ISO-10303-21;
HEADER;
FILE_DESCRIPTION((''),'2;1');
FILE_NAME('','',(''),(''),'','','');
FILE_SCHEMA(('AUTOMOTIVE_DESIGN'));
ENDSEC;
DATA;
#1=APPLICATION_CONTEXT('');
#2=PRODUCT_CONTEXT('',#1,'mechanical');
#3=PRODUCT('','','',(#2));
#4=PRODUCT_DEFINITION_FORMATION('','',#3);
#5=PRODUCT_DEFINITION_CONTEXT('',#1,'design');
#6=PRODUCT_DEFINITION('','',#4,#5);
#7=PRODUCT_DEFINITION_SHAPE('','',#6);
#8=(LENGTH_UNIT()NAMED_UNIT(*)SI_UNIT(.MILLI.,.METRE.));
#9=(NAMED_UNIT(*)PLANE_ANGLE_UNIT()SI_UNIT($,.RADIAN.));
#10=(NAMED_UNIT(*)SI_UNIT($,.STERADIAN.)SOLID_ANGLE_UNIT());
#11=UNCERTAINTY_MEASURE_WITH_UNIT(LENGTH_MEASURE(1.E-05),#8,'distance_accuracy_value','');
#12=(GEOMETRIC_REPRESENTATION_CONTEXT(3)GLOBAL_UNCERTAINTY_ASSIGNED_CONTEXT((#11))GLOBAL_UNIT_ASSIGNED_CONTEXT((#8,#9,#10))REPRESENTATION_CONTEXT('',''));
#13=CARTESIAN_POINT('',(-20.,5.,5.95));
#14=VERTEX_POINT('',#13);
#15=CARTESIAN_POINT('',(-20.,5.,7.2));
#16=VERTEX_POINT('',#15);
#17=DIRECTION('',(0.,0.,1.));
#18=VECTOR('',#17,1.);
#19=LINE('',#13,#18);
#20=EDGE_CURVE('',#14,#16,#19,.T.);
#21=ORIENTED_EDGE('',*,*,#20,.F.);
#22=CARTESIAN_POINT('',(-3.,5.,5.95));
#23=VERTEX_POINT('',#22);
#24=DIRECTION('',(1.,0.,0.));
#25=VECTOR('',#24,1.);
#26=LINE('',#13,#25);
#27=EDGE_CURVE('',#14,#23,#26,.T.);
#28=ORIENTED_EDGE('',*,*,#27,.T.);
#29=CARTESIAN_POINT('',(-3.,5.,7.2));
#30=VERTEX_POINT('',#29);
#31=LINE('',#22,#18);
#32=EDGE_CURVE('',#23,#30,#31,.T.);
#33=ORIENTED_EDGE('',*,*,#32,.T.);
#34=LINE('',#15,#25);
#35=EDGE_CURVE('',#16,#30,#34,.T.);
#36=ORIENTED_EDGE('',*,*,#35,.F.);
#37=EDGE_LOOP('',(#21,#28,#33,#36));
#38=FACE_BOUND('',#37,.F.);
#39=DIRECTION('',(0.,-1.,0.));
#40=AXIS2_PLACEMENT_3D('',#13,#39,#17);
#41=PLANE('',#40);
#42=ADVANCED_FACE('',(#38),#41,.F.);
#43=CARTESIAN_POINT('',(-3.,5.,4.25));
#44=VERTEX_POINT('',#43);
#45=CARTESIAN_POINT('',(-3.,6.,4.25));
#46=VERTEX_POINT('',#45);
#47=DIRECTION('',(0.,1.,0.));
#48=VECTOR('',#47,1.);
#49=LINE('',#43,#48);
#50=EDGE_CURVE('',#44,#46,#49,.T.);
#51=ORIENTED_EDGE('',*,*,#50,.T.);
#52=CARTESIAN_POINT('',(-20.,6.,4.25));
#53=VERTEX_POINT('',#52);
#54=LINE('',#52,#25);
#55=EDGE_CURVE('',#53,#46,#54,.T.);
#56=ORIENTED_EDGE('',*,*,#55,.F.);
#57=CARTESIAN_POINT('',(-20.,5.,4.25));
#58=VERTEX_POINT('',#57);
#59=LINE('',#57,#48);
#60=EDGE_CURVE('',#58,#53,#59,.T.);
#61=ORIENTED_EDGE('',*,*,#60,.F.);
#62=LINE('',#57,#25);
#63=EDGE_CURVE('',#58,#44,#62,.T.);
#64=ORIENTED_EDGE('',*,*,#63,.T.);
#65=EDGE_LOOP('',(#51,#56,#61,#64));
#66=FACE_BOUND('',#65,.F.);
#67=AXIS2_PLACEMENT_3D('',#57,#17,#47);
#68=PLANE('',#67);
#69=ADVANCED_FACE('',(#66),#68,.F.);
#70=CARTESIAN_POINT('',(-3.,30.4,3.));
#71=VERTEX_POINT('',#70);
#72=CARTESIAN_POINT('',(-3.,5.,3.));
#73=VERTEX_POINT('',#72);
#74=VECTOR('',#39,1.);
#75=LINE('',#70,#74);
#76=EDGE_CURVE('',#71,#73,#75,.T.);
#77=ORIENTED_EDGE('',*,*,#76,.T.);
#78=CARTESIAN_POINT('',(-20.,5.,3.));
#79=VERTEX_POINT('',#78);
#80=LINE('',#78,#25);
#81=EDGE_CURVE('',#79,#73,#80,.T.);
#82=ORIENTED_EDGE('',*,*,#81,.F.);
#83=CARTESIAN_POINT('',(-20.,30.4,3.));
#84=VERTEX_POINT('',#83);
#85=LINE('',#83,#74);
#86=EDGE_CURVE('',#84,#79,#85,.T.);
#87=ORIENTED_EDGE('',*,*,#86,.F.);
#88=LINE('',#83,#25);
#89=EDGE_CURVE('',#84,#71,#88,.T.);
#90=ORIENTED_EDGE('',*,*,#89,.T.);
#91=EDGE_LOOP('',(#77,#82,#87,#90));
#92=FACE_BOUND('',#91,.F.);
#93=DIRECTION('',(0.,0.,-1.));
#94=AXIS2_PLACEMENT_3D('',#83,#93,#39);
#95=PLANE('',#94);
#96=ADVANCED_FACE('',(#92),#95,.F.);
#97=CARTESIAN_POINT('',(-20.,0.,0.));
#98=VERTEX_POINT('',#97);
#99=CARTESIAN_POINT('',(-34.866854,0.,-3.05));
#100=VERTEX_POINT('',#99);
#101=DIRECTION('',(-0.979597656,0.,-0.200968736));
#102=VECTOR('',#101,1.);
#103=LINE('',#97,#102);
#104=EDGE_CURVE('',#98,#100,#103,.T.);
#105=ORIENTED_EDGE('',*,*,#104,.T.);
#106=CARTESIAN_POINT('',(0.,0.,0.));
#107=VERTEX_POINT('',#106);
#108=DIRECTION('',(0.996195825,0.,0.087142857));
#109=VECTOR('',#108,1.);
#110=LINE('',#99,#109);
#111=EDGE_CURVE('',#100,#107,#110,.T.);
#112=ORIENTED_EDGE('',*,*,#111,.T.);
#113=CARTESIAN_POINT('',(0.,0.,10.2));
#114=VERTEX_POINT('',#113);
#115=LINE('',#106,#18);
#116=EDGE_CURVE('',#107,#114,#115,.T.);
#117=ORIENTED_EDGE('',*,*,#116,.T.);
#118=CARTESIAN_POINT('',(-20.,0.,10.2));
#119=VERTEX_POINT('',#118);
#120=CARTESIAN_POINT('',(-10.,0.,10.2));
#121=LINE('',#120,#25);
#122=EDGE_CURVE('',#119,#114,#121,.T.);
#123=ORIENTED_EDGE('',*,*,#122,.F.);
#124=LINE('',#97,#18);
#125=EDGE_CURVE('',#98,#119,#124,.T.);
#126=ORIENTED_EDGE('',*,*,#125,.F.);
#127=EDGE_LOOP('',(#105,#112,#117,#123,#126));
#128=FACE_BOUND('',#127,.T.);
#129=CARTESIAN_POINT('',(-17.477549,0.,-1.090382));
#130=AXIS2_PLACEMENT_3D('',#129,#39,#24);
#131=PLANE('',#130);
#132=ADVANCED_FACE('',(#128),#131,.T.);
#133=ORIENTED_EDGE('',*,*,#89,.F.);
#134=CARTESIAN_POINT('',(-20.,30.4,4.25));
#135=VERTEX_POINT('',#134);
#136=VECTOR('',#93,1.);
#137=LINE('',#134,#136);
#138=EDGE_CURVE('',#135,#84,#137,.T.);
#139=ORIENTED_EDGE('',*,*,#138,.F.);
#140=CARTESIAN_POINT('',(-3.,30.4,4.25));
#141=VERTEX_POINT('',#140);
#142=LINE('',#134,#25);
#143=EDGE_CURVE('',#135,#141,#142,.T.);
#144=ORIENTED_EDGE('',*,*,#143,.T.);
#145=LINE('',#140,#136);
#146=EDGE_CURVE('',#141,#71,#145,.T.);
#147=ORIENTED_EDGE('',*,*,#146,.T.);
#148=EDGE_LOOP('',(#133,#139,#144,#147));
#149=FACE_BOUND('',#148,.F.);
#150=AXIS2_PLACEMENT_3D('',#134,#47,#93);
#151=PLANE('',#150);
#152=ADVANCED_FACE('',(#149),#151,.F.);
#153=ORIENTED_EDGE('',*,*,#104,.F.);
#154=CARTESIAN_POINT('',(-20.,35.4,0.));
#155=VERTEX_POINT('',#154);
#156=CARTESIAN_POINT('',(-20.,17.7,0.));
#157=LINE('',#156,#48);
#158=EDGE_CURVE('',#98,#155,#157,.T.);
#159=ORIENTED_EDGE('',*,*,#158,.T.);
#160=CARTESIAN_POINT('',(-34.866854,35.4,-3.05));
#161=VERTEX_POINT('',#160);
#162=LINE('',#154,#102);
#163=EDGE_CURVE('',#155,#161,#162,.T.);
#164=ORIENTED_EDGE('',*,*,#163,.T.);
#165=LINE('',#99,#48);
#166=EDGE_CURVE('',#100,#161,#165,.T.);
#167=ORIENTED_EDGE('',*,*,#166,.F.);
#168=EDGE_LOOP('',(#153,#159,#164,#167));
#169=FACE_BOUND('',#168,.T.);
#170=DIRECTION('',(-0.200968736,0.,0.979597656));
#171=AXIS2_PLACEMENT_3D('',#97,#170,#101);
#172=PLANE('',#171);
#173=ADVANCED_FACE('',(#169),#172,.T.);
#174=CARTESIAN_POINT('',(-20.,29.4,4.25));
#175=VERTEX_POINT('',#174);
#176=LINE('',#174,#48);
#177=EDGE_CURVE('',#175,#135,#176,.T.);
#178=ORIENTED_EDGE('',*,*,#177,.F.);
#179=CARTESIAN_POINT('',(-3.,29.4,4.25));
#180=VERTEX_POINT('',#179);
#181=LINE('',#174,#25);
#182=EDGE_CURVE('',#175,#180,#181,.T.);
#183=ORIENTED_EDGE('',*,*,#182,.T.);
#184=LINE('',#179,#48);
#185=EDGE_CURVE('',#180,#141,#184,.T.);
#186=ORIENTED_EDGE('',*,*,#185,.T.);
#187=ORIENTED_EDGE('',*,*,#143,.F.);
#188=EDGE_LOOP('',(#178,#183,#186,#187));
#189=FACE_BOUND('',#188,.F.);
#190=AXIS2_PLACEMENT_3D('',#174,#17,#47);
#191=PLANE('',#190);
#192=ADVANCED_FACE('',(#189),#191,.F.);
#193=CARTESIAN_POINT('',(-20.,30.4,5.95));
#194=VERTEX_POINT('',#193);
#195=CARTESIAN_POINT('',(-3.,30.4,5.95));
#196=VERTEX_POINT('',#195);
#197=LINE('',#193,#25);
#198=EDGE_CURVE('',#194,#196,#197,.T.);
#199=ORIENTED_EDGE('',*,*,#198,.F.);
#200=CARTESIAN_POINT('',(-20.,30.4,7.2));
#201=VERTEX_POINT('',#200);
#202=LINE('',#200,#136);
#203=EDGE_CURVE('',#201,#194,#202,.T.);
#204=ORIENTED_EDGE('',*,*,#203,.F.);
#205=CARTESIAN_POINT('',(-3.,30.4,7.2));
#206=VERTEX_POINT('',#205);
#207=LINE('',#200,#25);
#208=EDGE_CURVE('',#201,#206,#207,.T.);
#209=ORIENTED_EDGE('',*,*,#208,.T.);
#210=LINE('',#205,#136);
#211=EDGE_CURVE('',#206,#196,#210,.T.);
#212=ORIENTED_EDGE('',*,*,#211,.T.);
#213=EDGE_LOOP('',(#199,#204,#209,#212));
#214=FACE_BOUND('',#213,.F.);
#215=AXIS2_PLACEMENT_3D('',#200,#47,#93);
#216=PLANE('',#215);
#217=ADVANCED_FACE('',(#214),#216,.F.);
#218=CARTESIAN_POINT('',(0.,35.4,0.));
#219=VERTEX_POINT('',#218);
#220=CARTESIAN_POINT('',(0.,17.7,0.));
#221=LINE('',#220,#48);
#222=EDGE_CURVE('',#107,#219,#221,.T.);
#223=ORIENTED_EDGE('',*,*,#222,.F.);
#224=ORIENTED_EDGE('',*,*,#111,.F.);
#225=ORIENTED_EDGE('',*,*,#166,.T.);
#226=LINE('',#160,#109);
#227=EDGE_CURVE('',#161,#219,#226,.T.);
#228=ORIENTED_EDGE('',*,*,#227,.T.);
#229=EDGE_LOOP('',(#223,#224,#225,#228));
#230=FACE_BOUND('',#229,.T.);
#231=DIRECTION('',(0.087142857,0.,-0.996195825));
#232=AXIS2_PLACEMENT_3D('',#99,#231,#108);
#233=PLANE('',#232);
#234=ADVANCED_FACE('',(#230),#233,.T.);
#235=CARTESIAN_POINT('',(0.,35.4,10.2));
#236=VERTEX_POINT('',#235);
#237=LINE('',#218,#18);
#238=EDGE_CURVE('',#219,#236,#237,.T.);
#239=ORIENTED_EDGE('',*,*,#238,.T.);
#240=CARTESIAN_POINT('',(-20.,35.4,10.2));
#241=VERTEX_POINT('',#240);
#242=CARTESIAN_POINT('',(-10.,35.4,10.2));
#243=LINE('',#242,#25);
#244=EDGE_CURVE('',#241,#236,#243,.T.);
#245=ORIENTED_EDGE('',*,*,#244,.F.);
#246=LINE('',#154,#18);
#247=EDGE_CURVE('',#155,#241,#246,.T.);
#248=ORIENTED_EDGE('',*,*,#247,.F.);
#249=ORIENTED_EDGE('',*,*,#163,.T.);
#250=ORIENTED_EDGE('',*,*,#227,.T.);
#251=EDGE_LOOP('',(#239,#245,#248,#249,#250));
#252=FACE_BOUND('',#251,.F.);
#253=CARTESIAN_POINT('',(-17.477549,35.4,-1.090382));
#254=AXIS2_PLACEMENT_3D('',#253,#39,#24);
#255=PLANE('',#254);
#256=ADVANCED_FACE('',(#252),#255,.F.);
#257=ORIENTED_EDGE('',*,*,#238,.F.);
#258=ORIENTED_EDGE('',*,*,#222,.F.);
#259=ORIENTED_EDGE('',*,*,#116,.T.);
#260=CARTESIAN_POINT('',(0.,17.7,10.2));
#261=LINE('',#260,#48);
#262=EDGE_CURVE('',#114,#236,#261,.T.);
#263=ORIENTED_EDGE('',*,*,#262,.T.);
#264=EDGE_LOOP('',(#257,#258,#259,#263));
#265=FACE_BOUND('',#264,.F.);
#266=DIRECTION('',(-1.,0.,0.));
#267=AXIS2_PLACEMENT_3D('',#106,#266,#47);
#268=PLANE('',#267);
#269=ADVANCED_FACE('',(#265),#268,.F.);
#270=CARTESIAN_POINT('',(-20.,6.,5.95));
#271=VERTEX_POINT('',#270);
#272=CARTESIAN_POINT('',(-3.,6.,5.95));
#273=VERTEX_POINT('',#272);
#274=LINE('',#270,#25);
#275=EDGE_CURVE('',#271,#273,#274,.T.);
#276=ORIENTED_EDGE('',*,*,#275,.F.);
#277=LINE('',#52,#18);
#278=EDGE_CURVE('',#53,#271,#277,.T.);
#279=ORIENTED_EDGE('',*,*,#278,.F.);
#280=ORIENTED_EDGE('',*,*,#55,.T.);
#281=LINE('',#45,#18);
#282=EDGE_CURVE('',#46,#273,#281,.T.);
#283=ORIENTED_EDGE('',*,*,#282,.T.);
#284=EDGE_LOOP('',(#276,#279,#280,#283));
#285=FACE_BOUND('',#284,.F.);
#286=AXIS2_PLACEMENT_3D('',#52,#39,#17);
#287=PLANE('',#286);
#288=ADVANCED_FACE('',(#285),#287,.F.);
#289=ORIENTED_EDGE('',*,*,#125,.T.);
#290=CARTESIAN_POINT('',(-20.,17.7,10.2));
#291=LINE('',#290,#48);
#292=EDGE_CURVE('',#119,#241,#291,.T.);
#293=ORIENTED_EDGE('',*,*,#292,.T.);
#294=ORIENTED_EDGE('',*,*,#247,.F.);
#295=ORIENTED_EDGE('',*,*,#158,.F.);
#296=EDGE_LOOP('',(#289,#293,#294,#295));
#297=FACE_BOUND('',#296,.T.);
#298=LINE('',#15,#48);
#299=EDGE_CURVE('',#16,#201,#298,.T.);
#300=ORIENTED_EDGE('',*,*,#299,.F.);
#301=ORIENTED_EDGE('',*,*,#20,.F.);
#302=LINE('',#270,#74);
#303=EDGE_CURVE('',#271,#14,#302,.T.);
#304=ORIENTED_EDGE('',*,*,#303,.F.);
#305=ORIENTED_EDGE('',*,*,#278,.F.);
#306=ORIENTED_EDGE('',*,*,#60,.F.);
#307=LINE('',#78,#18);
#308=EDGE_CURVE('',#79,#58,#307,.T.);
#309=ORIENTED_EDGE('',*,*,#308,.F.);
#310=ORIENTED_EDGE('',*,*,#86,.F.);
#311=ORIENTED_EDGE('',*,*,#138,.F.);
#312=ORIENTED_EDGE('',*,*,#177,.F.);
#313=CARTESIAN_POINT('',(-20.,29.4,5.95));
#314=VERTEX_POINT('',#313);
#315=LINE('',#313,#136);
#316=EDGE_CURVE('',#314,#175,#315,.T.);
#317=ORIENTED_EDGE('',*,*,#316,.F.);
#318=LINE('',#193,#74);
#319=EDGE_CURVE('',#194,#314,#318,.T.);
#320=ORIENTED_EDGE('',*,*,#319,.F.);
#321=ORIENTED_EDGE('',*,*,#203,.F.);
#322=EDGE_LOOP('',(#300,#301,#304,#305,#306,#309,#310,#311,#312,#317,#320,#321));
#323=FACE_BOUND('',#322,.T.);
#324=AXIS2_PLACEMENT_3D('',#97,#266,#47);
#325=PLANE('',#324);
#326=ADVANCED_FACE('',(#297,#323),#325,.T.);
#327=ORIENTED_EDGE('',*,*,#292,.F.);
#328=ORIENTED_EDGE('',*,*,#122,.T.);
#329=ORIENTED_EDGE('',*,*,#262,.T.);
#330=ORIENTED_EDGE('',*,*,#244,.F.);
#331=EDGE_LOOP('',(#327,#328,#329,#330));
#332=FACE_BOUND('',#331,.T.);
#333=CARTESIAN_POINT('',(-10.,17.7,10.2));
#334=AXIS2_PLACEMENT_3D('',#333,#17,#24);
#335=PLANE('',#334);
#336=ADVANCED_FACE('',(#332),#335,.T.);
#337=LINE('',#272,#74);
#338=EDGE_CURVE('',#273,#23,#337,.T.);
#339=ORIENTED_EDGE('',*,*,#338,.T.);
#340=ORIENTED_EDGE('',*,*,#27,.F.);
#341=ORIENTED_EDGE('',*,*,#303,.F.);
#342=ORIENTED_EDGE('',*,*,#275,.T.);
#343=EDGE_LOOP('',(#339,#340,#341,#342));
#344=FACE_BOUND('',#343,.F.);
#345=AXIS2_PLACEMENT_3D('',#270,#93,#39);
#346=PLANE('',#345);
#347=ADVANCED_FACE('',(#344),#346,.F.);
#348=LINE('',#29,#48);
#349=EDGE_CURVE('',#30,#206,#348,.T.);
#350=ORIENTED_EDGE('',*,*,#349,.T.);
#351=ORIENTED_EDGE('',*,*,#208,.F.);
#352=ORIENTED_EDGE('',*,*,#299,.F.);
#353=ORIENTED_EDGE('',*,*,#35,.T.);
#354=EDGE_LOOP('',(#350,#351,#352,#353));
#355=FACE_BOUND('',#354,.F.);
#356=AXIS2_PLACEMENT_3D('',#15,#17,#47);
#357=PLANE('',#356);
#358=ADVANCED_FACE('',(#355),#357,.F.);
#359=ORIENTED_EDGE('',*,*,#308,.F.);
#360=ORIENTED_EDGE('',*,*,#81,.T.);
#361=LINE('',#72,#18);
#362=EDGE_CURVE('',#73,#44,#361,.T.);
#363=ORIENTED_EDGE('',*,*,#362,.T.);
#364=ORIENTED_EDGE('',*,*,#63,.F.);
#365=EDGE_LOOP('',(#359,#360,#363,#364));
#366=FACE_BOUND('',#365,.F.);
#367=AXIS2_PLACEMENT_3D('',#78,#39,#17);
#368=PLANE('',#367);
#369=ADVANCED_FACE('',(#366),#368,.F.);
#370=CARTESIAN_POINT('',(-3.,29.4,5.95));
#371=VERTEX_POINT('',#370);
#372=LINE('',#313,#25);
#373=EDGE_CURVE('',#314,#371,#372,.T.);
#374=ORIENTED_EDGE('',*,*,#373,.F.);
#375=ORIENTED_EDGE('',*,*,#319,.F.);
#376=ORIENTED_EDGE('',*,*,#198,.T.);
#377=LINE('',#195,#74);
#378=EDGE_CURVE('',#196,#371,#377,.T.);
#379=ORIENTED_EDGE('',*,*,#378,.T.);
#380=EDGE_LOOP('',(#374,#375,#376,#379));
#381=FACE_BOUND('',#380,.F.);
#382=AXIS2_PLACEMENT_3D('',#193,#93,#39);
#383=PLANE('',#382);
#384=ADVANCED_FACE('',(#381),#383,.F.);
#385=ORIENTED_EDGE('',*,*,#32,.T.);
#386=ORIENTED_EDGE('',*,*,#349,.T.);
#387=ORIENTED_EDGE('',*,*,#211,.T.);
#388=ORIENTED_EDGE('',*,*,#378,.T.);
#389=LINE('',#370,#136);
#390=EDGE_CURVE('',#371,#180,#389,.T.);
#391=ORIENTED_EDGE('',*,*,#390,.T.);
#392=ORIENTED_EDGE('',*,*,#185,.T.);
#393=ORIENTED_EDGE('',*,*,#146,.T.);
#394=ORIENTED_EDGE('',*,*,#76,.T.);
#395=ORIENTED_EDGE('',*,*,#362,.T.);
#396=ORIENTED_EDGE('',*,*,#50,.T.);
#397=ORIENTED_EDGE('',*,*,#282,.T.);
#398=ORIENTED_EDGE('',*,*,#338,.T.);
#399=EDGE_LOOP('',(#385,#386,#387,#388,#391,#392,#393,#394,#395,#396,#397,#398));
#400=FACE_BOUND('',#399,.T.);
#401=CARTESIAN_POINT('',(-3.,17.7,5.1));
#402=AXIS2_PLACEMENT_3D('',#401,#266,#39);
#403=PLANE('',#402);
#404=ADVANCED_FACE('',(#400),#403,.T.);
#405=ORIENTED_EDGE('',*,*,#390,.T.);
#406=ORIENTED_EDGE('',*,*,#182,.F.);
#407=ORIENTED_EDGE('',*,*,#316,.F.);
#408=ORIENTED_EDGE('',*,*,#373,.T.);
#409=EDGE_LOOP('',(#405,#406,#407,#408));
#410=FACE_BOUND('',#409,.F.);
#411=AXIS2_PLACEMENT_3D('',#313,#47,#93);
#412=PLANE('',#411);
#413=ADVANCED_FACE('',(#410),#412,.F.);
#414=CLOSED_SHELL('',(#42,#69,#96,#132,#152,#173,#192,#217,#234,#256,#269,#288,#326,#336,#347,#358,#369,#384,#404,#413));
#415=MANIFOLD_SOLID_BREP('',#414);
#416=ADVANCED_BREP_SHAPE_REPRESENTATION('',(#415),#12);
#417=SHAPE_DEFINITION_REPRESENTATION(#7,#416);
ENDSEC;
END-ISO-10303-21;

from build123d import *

# Parameters (mm, degrees)
F0_W     = 20
F0_H     = 35.4
F1_DEPTH = 10.2
F3_DEPTH = 17
F5_DEPTH = 35.4


with BuildPart() as f1:
    # F0 (on Top) → F1 (new body)
    with BuildSketch(Plane.XY):
        with Locations((-10, 17.7)):
            Rectangle(F0_W, F0_H)
    extrude(amount=F1_DEPTH)

    # F2 (on face) → F3 (cut)
    with BuildSketch(Plane(origin=(-20, 0, 0), x_dir=(0, -1, 0), z_dir=(-1, 0, 0))):
        Polygon((-5, 5.95), (-5, 7.2), (-30.4, 7.2), (-30.4, 5.95), (-29.4, 5.95), (-29.4, 4.25), (-30.4, 4.25), (-30.4, 3), (-5, 3), (-5, 4.25), (-6, 4.25), (-6, 5.95), align=None)
    extrude(amount=-F3_DEPTH, mode=Mode.SUBTRACT)

    # F4 (on face) → F5 (join)
    with BuildSketch(Plane.XZ):
        Polygon((-34.866854, -3.05), (0, 0), (-20, 0), align=None)
    extrude(amount=-F5_DEPTH)


solid = f1.part
